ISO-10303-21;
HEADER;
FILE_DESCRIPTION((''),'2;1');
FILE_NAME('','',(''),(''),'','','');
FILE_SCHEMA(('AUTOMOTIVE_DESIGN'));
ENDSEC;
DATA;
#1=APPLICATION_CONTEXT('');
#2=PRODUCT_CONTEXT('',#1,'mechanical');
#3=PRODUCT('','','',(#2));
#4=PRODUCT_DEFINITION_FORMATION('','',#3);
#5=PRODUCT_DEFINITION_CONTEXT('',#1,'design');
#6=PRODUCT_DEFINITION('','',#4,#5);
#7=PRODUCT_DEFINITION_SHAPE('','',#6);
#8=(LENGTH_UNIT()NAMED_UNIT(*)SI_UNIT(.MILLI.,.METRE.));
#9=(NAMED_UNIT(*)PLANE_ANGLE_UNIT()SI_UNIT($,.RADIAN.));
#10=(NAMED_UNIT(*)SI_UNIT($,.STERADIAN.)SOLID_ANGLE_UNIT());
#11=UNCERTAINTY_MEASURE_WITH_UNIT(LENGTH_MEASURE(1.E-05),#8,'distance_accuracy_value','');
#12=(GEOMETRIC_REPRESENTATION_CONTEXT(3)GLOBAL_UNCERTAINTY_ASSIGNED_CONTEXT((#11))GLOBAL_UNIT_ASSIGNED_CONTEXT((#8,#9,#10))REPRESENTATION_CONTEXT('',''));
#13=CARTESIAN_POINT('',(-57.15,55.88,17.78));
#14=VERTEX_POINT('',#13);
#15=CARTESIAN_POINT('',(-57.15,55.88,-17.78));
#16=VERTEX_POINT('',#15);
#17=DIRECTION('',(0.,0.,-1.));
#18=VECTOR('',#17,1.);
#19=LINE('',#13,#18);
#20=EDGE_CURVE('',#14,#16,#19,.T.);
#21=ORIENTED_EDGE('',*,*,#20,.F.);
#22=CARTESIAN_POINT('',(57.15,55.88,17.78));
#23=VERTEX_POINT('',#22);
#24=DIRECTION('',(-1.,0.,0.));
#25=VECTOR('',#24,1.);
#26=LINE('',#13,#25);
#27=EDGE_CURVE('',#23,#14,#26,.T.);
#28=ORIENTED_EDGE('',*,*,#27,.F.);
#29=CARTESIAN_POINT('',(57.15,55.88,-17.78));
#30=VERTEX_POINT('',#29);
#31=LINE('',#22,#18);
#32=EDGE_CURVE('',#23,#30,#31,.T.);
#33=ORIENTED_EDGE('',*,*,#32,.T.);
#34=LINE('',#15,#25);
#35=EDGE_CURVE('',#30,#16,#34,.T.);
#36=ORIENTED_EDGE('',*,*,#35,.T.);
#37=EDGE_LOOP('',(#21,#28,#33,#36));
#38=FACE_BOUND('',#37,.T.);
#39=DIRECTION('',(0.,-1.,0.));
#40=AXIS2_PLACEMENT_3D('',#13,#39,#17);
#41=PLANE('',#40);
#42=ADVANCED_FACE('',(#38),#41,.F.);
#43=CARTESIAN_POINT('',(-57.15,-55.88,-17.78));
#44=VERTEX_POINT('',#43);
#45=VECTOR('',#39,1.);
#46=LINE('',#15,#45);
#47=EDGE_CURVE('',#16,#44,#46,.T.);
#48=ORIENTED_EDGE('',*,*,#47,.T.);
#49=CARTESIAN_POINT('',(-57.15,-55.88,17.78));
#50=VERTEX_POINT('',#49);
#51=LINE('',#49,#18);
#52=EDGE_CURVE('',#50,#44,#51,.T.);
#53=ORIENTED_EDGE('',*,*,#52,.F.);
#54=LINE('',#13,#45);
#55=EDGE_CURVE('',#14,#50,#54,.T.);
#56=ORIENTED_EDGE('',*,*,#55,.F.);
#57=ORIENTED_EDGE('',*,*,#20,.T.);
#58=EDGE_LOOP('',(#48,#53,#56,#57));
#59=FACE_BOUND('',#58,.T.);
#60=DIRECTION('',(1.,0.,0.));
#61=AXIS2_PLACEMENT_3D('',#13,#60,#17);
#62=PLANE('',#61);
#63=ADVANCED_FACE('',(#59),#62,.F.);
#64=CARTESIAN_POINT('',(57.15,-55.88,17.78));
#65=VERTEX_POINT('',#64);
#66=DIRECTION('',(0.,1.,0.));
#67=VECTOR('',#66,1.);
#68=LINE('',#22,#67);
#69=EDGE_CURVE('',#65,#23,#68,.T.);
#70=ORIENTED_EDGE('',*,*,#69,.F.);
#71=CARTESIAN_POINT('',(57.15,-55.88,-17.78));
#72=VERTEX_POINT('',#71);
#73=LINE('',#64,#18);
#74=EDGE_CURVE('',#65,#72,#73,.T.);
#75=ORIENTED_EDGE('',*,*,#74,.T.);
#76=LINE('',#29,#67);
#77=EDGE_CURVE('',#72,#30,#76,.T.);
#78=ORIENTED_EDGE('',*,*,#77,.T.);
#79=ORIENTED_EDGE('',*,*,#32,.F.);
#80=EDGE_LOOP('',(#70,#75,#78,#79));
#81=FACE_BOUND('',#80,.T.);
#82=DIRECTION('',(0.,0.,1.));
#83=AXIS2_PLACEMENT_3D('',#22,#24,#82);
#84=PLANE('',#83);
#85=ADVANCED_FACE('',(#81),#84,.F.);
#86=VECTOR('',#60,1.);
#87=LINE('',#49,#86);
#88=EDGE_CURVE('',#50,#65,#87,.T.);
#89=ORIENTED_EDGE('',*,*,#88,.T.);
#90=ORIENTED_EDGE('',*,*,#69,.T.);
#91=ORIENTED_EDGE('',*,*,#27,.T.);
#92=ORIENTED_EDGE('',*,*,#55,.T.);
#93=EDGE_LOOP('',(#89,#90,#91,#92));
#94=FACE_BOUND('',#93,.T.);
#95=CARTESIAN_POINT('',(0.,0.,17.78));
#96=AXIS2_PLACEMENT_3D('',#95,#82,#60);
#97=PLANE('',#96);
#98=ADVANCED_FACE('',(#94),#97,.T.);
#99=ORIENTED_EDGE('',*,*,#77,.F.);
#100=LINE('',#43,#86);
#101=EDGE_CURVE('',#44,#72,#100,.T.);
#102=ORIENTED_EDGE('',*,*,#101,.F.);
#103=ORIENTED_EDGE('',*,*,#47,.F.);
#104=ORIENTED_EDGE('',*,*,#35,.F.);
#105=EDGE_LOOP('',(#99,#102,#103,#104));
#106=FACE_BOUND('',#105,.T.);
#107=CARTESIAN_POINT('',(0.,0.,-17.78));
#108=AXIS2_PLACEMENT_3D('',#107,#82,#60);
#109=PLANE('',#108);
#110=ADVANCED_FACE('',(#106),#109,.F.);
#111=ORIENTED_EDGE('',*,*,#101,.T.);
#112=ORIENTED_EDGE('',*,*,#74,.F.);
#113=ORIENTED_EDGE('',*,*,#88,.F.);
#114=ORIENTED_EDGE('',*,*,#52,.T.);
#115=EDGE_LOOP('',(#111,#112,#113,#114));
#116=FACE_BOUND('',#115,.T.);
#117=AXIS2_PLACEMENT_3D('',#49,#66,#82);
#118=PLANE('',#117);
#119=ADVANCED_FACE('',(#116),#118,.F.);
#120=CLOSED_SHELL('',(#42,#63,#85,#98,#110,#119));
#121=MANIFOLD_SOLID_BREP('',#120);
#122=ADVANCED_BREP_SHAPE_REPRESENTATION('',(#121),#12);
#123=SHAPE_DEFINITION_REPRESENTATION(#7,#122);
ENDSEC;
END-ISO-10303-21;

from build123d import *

# Parameters (mm, degrees)
SKETCH1_W           = 114.3
SKETCH1_H           = 111.76
BOSS_EXTRUDE1_DEPTH = 17.78


with BuildPart() as part:
    # Sketch1 → Boss-Extrude1 (new body, symmetric)
    with BuildSketch(Plane.XY):
        Rectangle(SKETCH1_W, SKETCH1_H)
    extrude(amount=BOSS_EXTRUDE1_DEPTH, both=True)


solid = part.part
